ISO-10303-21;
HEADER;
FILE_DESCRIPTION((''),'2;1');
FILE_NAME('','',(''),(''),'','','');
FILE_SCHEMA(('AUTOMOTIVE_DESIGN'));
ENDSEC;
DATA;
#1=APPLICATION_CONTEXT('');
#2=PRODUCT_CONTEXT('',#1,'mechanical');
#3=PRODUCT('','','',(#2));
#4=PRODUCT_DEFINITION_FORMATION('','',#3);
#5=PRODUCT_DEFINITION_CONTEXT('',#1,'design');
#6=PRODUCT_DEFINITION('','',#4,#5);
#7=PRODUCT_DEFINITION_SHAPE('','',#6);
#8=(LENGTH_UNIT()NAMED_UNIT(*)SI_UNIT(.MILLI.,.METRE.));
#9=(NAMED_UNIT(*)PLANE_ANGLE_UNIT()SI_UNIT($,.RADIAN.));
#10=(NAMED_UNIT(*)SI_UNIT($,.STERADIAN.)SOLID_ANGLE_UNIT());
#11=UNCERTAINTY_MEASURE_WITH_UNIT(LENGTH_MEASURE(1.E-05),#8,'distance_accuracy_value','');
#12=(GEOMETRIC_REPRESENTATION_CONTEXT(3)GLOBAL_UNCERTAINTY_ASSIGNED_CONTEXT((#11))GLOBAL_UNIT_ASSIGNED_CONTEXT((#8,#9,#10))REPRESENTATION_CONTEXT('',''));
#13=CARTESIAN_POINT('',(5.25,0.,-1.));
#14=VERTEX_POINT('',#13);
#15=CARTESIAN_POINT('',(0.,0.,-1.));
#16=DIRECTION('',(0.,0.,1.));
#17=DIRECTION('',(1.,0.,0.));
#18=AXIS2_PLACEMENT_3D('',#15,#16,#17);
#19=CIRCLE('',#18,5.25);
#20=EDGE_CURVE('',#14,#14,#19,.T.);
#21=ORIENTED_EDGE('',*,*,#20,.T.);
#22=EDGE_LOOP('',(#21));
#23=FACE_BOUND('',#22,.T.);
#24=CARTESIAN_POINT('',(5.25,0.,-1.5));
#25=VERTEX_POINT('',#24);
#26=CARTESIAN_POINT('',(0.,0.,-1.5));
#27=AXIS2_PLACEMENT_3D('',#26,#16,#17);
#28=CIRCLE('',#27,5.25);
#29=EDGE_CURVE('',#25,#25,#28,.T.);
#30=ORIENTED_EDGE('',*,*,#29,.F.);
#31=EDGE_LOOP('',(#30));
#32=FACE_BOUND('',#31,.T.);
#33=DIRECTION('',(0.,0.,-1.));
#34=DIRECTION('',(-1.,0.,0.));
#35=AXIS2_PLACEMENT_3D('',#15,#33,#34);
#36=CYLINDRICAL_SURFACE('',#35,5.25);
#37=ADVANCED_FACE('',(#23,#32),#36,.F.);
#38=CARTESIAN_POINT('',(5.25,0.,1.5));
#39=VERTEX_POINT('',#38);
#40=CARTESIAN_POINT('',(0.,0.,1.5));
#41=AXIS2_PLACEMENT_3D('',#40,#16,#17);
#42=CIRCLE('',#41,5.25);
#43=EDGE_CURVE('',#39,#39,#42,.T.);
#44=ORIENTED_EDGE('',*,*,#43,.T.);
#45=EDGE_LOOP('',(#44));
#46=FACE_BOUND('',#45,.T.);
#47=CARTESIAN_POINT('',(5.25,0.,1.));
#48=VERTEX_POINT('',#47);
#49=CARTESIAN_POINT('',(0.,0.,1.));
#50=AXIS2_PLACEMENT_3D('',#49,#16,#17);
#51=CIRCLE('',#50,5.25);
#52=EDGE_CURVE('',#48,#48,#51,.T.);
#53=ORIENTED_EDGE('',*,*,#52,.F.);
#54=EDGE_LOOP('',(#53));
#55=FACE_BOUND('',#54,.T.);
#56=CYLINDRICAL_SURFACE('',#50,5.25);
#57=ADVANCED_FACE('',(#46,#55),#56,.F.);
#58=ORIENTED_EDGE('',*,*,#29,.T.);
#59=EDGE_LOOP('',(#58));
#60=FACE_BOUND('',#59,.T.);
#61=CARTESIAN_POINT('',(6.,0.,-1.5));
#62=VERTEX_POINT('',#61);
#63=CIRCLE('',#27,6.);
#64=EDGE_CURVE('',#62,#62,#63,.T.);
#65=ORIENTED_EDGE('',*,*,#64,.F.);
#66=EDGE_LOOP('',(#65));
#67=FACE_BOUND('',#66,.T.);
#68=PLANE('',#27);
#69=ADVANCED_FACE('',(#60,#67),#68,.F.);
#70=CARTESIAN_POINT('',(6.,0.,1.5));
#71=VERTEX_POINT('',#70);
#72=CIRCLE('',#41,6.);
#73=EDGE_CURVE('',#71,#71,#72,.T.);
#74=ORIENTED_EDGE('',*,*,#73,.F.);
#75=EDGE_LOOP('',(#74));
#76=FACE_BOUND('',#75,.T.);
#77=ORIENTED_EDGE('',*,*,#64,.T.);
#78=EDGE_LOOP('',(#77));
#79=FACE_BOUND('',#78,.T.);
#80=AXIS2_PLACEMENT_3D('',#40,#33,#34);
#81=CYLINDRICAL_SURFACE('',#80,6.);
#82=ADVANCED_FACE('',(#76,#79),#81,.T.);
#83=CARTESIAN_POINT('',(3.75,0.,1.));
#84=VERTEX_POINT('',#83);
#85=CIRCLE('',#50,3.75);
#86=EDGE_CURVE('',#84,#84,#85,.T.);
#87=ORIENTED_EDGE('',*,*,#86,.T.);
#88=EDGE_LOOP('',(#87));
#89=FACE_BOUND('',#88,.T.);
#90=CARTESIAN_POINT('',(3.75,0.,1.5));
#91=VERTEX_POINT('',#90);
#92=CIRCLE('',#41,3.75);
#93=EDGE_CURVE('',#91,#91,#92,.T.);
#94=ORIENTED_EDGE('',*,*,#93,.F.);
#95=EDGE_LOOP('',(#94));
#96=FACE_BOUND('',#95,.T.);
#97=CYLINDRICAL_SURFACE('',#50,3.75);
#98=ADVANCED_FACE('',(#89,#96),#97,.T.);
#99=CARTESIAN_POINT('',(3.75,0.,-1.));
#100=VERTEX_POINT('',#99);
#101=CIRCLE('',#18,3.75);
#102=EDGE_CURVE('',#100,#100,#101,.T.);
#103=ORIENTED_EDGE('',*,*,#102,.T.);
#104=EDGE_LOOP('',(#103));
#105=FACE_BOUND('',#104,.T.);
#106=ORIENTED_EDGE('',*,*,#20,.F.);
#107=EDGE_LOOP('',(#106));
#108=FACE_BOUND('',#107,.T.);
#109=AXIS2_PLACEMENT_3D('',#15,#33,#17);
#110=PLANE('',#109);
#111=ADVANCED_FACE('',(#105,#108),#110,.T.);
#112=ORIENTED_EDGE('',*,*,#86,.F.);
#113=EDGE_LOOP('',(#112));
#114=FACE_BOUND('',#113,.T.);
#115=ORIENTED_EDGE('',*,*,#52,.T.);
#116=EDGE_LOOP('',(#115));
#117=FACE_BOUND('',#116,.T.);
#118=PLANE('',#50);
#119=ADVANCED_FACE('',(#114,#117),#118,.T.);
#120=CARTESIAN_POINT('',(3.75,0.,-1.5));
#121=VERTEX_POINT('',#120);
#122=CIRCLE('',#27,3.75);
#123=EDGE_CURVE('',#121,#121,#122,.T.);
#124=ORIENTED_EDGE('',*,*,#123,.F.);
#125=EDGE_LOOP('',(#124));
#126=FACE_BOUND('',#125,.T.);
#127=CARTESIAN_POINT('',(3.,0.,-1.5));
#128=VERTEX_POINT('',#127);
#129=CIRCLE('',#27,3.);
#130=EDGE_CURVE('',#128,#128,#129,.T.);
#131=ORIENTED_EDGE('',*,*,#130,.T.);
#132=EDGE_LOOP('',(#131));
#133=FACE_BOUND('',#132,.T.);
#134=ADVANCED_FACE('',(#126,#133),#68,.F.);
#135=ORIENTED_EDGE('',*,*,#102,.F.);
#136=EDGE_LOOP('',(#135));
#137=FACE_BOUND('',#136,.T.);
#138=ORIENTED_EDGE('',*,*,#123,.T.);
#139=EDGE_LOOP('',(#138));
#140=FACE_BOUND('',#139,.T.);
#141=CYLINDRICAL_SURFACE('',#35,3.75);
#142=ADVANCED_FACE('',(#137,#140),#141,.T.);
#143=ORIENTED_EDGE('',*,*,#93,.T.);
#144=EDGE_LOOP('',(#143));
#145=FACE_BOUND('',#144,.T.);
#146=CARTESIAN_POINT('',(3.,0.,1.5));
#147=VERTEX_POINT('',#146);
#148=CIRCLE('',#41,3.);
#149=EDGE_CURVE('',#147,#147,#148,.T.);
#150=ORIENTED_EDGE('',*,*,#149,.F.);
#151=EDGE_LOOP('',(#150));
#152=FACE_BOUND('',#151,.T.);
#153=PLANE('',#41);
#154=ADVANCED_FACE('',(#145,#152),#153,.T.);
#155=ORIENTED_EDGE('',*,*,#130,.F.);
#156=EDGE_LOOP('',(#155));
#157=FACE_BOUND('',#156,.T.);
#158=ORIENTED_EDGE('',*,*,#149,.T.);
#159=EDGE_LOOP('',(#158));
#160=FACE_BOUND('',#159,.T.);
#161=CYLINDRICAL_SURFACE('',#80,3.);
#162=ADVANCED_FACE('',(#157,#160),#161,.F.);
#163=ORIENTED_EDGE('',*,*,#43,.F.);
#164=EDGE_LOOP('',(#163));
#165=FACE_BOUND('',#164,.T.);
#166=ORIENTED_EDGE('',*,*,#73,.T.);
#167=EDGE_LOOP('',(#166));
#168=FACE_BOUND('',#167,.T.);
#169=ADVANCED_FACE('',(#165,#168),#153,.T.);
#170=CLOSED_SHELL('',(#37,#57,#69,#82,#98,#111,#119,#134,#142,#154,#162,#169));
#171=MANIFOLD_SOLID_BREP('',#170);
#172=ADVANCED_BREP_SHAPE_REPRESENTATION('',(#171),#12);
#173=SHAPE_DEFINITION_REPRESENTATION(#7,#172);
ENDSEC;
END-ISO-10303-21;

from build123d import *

# Parameters (mm, degrees)
SKETCH_1_R          = 6
SKETCH_1_R_2        = 3
EXTRUDE_1_DEPTH     = 1.5
SKETCH_2_R          = 5.25
SKETCH_2_R_2        = 3.75
CUT_EXTRUDE_1_DEPTH = 0.5


with BuildPart() as part:
    # 草图1 → 凸台-拉伸1 (new, symmetric)
    with BuildSketch(Plane.XY):
        Circle(SKETCH_1_R)
        Circle(SKETCH_1_R_2, mode=Mode.SUBTRACT)
    extrude(amount=EXTRUDE_1_DEPTH, both=True)

    # 草图2 → 切除-拉伸1 (cut)
    with BuildSketch(Plane.XY.offset(1.5)):
        Circle(SKETCH_2_R)
        Circle(SKETCH_2_R_2, mode=Mode.SUBTRACT)
    cut_extrude_1 = extrude(amount=-CUT_EXTRUDE_1_DEPTH, mode=Mode.SUBTRACT)

    # 镜向1: 切除-拉伸1 across plane
    add(cut_extrude_1.mirror(Plane.XY), mode=Mode.SUBTRACT)


solid = part.part
